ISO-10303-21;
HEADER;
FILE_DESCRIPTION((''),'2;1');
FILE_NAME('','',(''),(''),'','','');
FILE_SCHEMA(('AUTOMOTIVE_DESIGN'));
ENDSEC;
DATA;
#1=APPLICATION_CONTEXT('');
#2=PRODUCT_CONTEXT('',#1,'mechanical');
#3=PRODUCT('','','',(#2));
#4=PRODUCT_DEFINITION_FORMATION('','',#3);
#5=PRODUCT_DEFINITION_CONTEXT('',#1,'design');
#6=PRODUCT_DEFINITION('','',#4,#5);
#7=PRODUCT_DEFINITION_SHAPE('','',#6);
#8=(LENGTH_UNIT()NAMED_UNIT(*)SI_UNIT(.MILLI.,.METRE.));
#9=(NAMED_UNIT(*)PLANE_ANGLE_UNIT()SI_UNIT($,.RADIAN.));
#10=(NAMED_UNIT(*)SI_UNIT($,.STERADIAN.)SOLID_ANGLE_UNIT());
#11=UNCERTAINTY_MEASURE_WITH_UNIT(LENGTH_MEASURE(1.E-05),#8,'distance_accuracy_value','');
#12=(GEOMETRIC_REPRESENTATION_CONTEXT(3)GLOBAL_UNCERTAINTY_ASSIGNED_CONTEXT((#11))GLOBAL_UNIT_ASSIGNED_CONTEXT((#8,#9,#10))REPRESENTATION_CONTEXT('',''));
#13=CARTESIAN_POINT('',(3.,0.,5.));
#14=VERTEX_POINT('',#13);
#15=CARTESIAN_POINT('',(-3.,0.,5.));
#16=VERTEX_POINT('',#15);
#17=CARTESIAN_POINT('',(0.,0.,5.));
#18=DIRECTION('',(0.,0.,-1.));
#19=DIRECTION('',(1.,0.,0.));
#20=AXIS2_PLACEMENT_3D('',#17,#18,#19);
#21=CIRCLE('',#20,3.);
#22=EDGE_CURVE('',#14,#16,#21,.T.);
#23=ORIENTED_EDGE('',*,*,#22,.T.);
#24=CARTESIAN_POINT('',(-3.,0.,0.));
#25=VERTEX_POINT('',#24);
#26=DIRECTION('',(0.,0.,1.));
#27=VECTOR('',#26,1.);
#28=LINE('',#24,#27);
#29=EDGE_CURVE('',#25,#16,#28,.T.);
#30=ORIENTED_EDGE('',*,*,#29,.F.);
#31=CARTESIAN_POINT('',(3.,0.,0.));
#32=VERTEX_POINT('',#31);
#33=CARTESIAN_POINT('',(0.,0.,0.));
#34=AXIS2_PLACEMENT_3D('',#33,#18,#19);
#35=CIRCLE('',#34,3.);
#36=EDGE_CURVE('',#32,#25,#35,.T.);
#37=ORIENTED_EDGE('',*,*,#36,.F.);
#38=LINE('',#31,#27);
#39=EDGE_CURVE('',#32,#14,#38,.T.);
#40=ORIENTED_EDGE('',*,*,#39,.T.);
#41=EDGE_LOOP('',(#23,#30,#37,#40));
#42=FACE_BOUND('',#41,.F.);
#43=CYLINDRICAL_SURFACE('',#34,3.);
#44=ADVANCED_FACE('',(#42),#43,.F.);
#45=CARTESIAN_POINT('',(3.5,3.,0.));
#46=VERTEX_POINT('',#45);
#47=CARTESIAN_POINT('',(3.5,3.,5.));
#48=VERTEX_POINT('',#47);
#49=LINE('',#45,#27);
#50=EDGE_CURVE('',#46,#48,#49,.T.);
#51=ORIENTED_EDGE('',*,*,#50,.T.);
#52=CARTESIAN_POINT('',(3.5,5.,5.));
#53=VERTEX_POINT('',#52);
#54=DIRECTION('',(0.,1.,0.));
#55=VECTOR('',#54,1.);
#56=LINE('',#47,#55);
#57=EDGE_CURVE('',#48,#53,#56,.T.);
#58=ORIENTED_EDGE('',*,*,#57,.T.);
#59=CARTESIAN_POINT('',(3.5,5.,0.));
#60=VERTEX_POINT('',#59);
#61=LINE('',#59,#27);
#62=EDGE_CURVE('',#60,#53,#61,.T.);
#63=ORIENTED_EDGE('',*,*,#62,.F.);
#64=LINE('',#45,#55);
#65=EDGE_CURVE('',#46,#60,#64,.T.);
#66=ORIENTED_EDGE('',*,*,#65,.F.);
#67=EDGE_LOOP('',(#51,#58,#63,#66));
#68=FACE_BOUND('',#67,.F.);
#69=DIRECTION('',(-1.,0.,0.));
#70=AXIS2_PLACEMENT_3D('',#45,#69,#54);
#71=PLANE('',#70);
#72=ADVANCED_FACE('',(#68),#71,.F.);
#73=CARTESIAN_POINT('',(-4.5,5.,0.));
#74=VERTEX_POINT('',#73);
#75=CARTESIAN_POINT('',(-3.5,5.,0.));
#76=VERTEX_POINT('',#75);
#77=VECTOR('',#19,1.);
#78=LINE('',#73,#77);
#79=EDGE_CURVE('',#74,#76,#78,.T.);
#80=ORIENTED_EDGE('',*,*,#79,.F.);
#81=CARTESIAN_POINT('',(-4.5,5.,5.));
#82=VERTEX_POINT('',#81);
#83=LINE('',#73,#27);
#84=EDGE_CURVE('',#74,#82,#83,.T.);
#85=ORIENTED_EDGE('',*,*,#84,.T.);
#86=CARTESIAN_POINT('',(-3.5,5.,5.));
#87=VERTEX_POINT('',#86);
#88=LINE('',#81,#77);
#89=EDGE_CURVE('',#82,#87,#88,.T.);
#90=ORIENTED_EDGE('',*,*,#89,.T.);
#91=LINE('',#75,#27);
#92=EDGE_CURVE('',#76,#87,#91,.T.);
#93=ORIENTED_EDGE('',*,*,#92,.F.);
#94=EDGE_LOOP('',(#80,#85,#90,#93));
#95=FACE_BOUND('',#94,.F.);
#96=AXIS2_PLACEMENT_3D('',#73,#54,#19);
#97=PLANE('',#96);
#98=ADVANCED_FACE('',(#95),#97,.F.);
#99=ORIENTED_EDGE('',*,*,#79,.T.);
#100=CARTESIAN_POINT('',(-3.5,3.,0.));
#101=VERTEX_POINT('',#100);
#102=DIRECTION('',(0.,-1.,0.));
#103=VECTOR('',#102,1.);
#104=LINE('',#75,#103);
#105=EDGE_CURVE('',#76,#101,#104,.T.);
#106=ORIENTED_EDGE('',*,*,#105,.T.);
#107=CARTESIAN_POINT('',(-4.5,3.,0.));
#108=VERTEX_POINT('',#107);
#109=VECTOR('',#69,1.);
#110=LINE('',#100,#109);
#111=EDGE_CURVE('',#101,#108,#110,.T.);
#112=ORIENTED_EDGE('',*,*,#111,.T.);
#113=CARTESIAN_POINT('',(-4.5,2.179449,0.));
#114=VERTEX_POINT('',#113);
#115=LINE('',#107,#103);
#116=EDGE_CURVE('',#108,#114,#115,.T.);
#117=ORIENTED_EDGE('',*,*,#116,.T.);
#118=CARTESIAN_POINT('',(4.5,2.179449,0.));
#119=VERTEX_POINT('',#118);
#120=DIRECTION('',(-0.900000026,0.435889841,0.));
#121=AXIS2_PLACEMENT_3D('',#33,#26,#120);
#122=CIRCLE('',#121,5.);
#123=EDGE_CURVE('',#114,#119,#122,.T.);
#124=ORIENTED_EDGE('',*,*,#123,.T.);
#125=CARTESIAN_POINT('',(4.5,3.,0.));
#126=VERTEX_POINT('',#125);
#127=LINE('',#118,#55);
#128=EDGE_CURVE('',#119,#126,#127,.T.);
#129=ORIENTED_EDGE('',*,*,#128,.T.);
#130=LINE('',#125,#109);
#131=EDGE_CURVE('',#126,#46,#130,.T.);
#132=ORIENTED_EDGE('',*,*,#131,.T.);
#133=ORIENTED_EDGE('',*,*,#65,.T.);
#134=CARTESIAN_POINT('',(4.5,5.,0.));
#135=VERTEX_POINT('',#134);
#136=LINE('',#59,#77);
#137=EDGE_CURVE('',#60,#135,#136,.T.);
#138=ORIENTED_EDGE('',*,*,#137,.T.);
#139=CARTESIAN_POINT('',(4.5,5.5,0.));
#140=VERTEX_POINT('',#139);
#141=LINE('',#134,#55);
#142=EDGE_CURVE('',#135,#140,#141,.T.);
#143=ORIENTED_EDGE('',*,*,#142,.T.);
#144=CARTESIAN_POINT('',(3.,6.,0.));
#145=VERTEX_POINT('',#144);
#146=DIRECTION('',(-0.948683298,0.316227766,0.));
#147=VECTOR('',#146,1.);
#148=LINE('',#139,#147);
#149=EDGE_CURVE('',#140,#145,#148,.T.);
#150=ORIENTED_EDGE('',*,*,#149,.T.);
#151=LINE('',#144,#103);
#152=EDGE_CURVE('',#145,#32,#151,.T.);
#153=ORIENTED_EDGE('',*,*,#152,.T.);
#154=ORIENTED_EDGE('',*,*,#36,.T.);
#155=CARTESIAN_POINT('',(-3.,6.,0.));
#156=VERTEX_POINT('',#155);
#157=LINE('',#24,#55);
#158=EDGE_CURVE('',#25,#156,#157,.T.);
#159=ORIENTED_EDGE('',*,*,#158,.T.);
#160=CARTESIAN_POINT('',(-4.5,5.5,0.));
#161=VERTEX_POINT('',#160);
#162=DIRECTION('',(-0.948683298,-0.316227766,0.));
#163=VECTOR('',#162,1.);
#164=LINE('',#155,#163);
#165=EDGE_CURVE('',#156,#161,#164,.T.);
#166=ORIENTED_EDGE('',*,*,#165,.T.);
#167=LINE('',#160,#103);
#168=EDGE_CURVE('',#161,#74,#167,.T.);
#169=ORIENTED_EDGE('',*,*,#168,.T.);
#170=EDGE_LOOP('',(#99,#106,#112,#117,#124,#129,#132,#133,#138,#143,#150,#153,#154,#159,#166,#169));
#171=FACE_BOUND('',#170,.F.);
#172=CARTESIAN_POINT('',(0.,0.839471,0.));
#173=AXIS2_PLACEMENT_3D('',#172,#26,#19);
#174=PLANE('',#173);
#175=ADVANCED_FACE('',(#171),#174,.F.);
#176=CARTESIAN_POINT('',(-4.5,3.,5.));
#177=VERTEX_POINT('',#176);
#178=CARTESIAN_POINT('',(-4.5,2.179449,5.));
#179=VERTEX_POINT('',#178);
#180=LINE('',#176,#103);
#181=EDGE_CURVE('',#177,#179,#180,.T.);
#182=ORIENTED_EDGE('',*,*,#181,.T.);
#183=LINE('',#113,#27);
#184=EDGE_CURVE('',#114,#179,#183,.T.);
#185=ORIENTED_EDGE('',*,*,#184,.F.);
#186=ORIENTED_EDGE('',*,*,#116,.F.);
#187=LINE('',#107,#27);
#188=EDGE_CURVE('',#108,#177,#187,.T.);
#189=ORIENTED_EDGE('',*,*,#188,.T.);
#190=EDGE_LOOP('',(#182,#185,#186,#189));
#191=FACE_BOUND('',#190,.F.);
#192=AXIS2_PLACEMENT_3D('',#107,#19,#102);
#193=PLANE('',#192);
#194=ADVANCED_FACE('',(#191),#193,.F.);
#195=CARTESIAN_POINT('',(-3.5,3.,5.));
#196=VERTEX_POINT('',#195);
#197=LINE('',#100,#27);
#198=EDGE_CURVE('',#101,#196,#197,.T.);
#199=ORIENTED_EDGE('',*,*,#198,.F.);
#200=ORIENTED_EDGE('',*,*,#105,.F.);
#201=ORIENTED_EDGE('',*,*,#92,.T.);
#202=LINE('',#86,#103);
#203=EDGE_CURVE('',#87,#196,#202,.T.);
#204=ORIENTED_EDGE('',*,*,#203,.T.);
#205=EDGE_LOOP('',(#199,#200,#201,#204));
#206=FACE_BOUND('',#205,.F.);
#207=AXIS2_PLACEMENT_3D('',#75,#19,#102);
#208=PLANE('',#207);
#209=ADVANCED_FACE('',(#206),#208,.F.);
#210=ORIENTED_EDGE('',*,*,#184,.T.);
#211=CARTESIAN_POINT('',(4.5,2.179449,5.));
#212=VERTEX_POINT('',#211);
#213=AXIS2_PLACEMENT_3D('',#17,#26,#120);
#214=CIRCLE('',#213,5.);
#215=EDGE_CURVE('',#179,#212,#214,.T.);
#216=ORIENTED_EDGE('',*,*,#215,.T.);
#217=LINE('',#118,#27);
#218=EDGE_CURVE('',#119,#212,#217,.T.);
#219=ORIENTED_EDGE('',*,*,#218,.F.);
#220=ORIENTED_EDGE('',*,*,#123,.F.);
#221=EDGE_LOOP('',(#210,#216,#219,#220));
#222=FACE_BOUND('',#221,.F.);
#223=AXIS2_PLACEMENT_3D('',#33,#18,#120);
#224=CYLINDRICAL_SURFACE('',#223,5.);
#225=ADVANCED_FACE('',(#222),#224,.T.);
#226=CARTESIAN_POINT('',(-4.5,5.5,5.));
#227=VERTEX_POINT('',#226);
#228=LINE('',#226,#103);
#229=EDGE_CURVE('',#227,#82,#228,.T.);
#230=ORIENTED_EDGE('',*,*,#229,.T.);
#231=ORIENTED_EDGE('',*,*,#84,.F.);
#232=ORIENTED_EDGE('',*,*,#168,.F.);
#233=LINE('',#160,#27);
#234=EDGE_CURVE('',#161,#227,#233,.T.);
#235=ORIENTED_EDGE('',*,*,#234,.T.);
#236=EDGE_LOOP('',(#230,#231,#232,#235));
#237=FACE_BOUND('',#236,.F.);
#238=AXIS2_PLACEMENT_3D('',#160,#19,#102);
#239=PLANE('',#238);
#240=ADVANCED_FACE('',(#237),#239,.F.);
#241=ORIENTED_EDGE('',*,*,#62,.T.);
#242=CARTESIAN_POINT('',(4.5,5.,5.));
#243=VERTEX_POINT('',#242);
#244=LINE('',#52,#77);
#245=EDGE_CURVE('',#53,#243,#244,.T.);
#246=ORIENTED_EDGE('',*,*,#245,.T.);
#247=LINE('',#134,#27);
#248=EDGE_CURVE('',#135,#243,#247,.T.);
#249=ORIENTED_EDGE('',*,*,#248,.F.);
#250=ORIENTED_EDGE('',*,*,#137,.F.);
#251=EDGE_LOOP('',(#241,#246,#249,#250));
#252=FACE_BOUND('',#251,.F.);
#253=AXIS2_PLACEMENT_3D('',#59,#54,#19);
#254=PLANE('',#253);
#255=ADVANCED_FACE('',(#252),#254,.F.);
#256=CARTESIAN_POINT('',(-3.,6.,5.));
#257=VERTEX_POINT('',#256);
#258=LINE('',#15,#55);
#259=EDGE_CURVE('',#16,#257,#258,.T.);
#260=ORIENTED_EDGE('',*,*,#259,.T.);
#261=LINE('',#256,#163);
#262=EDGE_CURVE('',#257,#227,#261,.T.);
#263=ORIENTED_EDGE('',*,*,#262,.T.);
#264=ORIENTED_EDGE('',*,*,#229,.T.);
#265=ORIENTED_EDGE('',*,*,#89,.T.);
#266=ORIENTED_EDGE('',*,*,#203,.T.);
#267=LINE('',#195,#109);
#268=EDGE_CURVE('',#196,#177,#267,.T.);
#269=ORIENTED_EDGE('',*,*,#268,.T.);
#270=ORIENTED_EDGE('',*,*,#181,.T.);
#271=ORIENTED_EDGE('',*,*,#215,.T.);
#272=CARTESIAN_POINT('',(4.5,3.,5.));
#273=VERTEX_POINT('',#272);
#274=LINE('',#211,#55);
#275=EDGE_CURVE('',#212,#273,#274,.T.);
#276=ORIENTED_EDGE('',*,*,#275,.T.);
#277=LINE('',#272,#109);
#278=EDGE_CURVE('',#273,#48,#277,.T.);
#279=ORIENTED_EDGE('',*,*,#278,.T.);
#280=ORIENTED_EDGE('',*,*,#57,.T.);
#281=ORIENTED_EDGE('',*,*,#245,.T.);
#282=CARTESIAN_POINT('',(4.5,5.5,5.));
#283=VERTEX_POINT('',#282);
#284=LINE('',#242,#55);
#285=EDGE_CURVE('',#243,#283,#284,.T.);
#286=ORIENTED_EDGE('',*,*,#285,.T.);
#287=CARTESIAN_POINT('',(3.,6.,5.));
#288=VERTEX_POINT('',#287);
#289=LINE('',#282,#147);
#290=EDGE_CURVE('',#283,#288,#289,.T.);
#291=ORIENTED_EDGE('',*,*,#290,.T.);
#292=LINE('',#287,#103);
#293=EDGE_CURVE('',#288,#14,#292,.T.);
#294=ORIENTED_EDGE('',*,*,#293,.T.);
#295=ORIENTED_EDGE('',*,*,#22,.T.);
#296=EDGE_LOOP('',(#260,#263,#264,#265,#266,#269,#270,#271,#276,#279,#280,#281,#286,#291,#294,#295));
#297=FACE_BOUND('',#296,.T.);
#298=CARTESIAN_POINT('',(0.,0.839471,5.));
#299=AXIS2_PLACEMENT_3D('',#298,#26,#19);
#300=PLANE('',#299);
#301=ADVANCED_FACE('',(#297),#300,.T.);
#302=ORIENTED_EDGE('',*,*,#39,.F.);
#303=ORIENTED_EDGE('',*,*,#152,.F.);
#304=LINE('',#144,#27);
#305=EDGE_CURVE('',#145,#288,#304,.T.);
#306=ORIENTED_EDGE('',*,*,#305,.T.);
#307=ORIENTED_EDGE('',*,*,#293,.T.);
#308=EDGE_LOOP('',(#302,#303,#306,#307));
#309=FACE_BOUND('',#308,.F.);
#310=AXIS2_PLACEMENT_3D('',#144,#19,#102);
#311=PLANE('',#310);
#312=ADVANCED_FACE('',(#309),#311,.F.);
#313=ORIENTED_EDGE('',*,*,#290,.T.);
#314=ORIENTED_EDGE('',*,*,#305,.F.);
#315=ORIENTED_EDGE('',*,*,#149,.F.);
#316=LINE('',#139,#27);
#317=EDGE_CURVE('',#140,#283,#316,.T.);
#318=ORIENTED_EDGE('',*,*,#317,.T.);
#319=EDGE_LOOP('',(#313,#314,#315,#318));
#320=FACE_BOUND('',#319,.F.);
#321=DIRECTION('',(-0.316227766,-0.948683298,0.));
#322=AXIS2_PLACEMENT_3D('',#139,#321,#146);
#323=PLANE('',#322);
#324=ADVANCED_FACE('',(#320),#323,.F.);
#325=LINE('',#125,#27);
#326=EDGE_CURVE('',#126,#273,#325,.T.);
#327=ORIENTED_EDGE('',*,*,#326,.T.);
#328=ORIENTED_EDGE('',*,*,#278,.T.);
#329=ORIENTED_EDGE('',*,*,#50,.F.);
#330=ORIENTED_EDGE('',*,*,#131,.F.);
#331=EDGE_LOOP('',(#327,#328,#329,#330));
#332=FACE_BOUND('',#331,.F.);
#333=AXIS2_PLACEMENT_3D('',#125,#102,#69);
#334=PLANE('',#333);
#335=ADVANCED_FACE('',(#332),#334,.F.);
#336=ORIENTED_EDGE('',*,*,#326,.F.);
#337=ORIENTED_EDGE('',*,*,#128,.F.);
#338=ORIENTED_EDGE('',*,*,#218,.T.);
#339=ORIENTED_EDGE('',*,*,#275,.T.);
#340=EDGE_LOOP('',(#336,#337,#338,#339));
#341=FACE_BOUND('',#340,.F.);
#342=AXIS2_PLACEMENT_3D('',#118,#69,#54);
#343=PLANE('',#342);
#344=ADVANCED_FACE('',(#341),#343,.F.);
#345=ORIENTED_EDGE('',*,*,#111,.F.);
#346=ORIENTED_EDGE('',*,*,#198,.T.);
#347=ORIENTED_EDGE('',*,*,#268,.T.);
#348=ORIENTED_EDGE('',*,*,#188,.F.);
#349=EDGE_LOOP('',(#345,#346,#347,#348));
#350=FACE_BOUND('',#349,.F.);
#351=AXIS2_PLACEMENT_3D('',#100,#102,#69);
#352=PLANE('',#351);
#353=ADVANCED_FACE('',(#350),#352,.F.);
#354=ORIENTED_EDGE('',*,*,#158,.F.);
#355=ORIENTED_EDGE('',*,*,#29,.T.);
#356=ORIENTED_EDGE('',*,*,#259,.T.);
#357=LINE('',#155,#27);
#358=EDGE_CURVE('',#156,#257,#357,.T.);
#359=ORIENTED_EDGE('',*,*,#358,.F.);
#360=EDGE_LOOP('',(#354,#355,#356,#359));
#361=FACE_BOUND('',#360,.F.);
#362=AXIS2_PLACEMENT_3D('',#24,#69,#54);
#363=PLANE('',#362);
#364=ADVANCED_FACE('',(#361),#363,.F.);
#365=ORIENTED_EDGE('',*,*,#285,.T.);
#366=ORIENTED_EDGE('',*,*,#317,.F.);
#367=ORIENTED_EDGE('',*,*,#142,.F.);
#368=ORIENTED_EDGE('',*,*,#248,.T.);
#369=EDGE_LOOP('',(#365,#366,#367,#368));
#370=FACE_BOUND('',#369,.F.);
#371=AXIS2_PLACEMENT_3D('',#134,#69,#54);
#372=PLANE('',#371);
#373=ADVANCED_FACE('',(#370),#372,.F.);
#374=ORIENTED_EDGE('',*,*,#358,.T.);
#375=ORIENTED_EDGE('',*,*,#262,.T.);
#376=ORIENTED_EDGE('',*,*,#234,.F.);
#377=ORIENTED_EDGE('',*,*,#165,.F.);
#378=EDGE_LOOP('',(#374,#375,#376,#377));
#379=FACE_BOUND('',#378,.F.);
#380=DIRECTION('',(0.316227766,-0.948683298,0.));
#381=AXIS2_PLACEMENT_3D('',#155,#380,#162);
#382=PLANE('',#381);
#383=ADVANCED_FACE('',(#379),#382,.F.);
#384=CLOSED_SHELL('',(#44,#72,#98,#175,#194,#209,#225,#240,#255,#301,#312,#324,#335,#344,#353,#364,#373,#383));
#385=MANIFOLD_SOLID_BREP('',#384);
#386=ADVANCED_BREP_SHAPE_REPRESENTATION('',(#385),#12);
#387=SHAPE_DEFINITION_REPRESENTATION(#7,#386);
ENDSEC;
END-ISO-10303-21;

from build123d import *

# Parameters (mm, degrees)
F1_DEPTH = 5


with BuildPart() as f1:
    # F0 (on Top) → F1 (new body)
    with BuildSketch(Plane.XY):
        with BuildLine():
            Line((-4.5, 3), (-4.5, 2.179449))
            ThreePointArc((-4.5, 2.179449), (0, -5), (4.5, 2.179449))
            Line((4.5, 2.179449), (4.5, 3))
            Line((4.5, 3), (3.5, 3))
            Line((3.5, 3), (3.5, 5))
            Line((3.5, 5), (4.5, 5))
            Line((4.5, 5), (4.5, 5.5))
            Line((4.5, 5.5), (3, 6))
            Line((3, 6), (3, 0))
            ThreePointArc((3, 0), (0, -3), (-3, 0))
            Line((-3, 0), (-3, 6))
            Line((-3, 6), (-4.5, 5.5))
            Line((-4.5, 5.5), (-4.5, 5))
            Line((-4.5, 5), (-3.5, 5))
            Line((-3.5, 5), (-3.5, 3))
            Line((-3.5, 3), (-4.5, 3))
        make_face()
    extrude(amount=F1_DEPTH)


solid = f1.part
